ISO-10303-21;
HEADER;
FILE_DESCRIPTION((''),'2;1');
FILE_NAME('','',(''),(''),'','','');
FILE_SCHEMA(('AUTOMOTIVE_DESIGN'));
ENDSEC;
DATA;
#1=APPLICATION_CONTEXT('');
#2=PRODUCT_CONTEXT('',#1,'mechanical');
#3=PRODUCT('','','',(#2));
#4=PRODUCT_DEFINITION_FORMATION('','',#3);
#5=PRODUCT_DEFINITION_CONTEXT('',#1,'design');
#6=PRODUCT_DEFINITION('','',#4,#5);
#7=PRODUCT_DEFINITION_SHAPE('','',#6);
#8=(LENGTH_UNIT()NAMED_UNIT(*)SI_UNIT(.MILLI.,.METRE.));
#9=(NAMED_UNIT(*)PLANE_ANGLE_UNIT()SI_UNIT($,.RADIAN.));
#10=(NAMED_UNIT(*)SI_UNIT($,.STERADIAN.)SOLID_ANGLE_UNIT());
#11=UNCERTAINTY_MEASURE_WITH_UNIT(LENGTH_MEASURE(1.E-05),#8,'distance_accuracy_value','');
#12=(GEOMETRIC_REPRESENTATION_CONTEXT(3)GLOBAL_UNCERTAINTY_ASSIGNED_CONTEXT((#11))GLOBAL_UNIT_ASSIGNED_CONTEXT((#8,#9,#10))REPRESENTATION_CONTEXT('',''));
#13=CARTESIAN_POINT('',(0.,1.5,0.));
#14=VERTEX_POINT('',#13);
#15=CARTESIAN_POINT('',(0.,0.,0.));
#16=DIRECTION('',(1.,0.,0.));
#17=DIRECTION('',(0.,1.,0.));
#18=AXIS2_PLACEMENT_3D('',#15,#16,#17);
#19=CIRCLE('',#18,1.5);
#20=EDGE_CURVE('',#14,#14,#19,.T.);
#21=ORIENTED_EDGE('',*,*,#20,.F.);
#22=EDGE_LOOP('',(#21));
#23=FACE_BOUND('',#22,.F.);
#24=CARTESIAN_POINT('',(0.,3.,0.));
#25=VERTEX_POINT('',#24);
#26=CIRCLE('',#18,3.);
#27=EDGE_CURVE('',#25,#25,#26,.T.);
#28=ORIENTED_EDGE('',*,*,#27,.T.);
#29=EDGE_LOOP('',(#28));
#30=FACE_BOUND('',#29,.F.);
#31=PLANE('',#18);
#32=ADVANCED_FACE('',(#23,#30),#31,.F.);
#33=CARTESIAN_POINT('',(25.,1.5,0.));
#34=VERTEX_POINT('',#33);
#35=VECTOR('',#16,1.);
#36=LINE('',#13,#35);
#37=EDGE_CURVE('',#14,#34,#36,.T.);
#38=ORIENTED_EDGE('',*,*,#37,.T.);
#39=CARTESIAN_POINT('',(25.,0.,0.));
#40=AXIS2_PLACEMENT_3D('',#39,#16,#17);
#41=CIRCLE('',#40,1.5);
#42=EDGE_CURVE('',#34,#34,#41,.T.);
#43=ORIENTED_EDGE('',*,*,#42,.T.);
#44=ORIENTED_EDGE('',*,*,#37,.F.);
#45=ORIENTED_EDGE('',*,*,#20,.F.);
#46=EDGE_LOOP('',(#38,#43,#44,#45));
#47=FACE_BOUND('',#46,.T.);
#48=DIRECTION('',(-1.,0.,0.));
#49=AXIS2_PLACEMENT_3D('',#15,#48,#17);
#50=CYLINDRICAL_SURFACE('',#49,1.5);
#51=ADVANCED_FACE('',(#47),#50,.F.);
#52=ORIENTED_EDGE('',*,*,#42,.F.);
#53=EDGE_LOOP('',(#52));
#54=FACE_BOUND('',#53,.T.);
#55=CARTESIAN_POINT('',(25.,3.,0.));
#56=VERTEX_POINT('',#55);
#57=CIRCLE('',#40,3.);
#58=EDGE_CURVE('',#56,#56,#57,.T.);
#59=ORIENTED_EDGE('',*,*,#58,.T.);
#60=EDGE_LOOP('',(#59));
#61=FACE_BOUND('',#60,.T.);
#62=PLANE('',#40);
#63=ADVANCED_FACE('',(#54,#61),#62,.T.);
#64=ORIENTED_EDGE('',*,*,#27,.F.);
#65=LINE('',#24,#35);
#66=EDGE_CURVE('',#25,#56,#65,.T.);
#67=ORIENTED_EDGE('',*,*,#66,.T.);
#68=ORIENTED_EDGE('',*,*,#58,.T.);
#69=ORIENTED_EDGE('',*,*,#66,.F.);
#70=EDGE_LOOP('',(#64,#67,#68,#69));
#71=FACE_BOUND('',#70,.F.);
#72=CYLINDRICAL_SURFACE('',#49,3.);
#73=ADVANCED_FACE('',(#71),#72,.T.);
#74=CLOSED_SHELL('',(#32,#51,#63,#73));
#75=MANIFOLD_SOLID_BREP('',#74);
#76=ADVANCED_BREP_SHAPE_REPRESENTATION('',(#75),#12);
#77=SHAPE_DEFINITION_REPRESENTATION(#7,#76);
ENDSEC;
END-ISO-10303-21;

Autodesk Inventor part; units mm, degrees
ref_plane "YZ Plane" through (0, 0, 0) normal (1, 0, 0) x (0, 1, 0)
ref_plane "XZ Plane" through (0, 0, 0) normal (0, 1, 0) x (-1, 0, 0)
ref_plane "XY Plane" through (0, 0, 0) normal (0, 0, 1) x (1, 0, 0)
sketch "スケッチ1" plane through (0, 0, 0) normal (1, 0, 0) x (0, 1, 0)
  circle A0 centre (0, 0) radius 1.5
  circle A1 centre (0, 0) radius 3
  dimension "d0" = 3
  dimension "d1" = 6
extrude "押し出し1" add sketch "スケッチ1" along normal blind 25
properties part number "belt_liner_v1_shaft_spesa-25" material "アルミニウム 6061"
